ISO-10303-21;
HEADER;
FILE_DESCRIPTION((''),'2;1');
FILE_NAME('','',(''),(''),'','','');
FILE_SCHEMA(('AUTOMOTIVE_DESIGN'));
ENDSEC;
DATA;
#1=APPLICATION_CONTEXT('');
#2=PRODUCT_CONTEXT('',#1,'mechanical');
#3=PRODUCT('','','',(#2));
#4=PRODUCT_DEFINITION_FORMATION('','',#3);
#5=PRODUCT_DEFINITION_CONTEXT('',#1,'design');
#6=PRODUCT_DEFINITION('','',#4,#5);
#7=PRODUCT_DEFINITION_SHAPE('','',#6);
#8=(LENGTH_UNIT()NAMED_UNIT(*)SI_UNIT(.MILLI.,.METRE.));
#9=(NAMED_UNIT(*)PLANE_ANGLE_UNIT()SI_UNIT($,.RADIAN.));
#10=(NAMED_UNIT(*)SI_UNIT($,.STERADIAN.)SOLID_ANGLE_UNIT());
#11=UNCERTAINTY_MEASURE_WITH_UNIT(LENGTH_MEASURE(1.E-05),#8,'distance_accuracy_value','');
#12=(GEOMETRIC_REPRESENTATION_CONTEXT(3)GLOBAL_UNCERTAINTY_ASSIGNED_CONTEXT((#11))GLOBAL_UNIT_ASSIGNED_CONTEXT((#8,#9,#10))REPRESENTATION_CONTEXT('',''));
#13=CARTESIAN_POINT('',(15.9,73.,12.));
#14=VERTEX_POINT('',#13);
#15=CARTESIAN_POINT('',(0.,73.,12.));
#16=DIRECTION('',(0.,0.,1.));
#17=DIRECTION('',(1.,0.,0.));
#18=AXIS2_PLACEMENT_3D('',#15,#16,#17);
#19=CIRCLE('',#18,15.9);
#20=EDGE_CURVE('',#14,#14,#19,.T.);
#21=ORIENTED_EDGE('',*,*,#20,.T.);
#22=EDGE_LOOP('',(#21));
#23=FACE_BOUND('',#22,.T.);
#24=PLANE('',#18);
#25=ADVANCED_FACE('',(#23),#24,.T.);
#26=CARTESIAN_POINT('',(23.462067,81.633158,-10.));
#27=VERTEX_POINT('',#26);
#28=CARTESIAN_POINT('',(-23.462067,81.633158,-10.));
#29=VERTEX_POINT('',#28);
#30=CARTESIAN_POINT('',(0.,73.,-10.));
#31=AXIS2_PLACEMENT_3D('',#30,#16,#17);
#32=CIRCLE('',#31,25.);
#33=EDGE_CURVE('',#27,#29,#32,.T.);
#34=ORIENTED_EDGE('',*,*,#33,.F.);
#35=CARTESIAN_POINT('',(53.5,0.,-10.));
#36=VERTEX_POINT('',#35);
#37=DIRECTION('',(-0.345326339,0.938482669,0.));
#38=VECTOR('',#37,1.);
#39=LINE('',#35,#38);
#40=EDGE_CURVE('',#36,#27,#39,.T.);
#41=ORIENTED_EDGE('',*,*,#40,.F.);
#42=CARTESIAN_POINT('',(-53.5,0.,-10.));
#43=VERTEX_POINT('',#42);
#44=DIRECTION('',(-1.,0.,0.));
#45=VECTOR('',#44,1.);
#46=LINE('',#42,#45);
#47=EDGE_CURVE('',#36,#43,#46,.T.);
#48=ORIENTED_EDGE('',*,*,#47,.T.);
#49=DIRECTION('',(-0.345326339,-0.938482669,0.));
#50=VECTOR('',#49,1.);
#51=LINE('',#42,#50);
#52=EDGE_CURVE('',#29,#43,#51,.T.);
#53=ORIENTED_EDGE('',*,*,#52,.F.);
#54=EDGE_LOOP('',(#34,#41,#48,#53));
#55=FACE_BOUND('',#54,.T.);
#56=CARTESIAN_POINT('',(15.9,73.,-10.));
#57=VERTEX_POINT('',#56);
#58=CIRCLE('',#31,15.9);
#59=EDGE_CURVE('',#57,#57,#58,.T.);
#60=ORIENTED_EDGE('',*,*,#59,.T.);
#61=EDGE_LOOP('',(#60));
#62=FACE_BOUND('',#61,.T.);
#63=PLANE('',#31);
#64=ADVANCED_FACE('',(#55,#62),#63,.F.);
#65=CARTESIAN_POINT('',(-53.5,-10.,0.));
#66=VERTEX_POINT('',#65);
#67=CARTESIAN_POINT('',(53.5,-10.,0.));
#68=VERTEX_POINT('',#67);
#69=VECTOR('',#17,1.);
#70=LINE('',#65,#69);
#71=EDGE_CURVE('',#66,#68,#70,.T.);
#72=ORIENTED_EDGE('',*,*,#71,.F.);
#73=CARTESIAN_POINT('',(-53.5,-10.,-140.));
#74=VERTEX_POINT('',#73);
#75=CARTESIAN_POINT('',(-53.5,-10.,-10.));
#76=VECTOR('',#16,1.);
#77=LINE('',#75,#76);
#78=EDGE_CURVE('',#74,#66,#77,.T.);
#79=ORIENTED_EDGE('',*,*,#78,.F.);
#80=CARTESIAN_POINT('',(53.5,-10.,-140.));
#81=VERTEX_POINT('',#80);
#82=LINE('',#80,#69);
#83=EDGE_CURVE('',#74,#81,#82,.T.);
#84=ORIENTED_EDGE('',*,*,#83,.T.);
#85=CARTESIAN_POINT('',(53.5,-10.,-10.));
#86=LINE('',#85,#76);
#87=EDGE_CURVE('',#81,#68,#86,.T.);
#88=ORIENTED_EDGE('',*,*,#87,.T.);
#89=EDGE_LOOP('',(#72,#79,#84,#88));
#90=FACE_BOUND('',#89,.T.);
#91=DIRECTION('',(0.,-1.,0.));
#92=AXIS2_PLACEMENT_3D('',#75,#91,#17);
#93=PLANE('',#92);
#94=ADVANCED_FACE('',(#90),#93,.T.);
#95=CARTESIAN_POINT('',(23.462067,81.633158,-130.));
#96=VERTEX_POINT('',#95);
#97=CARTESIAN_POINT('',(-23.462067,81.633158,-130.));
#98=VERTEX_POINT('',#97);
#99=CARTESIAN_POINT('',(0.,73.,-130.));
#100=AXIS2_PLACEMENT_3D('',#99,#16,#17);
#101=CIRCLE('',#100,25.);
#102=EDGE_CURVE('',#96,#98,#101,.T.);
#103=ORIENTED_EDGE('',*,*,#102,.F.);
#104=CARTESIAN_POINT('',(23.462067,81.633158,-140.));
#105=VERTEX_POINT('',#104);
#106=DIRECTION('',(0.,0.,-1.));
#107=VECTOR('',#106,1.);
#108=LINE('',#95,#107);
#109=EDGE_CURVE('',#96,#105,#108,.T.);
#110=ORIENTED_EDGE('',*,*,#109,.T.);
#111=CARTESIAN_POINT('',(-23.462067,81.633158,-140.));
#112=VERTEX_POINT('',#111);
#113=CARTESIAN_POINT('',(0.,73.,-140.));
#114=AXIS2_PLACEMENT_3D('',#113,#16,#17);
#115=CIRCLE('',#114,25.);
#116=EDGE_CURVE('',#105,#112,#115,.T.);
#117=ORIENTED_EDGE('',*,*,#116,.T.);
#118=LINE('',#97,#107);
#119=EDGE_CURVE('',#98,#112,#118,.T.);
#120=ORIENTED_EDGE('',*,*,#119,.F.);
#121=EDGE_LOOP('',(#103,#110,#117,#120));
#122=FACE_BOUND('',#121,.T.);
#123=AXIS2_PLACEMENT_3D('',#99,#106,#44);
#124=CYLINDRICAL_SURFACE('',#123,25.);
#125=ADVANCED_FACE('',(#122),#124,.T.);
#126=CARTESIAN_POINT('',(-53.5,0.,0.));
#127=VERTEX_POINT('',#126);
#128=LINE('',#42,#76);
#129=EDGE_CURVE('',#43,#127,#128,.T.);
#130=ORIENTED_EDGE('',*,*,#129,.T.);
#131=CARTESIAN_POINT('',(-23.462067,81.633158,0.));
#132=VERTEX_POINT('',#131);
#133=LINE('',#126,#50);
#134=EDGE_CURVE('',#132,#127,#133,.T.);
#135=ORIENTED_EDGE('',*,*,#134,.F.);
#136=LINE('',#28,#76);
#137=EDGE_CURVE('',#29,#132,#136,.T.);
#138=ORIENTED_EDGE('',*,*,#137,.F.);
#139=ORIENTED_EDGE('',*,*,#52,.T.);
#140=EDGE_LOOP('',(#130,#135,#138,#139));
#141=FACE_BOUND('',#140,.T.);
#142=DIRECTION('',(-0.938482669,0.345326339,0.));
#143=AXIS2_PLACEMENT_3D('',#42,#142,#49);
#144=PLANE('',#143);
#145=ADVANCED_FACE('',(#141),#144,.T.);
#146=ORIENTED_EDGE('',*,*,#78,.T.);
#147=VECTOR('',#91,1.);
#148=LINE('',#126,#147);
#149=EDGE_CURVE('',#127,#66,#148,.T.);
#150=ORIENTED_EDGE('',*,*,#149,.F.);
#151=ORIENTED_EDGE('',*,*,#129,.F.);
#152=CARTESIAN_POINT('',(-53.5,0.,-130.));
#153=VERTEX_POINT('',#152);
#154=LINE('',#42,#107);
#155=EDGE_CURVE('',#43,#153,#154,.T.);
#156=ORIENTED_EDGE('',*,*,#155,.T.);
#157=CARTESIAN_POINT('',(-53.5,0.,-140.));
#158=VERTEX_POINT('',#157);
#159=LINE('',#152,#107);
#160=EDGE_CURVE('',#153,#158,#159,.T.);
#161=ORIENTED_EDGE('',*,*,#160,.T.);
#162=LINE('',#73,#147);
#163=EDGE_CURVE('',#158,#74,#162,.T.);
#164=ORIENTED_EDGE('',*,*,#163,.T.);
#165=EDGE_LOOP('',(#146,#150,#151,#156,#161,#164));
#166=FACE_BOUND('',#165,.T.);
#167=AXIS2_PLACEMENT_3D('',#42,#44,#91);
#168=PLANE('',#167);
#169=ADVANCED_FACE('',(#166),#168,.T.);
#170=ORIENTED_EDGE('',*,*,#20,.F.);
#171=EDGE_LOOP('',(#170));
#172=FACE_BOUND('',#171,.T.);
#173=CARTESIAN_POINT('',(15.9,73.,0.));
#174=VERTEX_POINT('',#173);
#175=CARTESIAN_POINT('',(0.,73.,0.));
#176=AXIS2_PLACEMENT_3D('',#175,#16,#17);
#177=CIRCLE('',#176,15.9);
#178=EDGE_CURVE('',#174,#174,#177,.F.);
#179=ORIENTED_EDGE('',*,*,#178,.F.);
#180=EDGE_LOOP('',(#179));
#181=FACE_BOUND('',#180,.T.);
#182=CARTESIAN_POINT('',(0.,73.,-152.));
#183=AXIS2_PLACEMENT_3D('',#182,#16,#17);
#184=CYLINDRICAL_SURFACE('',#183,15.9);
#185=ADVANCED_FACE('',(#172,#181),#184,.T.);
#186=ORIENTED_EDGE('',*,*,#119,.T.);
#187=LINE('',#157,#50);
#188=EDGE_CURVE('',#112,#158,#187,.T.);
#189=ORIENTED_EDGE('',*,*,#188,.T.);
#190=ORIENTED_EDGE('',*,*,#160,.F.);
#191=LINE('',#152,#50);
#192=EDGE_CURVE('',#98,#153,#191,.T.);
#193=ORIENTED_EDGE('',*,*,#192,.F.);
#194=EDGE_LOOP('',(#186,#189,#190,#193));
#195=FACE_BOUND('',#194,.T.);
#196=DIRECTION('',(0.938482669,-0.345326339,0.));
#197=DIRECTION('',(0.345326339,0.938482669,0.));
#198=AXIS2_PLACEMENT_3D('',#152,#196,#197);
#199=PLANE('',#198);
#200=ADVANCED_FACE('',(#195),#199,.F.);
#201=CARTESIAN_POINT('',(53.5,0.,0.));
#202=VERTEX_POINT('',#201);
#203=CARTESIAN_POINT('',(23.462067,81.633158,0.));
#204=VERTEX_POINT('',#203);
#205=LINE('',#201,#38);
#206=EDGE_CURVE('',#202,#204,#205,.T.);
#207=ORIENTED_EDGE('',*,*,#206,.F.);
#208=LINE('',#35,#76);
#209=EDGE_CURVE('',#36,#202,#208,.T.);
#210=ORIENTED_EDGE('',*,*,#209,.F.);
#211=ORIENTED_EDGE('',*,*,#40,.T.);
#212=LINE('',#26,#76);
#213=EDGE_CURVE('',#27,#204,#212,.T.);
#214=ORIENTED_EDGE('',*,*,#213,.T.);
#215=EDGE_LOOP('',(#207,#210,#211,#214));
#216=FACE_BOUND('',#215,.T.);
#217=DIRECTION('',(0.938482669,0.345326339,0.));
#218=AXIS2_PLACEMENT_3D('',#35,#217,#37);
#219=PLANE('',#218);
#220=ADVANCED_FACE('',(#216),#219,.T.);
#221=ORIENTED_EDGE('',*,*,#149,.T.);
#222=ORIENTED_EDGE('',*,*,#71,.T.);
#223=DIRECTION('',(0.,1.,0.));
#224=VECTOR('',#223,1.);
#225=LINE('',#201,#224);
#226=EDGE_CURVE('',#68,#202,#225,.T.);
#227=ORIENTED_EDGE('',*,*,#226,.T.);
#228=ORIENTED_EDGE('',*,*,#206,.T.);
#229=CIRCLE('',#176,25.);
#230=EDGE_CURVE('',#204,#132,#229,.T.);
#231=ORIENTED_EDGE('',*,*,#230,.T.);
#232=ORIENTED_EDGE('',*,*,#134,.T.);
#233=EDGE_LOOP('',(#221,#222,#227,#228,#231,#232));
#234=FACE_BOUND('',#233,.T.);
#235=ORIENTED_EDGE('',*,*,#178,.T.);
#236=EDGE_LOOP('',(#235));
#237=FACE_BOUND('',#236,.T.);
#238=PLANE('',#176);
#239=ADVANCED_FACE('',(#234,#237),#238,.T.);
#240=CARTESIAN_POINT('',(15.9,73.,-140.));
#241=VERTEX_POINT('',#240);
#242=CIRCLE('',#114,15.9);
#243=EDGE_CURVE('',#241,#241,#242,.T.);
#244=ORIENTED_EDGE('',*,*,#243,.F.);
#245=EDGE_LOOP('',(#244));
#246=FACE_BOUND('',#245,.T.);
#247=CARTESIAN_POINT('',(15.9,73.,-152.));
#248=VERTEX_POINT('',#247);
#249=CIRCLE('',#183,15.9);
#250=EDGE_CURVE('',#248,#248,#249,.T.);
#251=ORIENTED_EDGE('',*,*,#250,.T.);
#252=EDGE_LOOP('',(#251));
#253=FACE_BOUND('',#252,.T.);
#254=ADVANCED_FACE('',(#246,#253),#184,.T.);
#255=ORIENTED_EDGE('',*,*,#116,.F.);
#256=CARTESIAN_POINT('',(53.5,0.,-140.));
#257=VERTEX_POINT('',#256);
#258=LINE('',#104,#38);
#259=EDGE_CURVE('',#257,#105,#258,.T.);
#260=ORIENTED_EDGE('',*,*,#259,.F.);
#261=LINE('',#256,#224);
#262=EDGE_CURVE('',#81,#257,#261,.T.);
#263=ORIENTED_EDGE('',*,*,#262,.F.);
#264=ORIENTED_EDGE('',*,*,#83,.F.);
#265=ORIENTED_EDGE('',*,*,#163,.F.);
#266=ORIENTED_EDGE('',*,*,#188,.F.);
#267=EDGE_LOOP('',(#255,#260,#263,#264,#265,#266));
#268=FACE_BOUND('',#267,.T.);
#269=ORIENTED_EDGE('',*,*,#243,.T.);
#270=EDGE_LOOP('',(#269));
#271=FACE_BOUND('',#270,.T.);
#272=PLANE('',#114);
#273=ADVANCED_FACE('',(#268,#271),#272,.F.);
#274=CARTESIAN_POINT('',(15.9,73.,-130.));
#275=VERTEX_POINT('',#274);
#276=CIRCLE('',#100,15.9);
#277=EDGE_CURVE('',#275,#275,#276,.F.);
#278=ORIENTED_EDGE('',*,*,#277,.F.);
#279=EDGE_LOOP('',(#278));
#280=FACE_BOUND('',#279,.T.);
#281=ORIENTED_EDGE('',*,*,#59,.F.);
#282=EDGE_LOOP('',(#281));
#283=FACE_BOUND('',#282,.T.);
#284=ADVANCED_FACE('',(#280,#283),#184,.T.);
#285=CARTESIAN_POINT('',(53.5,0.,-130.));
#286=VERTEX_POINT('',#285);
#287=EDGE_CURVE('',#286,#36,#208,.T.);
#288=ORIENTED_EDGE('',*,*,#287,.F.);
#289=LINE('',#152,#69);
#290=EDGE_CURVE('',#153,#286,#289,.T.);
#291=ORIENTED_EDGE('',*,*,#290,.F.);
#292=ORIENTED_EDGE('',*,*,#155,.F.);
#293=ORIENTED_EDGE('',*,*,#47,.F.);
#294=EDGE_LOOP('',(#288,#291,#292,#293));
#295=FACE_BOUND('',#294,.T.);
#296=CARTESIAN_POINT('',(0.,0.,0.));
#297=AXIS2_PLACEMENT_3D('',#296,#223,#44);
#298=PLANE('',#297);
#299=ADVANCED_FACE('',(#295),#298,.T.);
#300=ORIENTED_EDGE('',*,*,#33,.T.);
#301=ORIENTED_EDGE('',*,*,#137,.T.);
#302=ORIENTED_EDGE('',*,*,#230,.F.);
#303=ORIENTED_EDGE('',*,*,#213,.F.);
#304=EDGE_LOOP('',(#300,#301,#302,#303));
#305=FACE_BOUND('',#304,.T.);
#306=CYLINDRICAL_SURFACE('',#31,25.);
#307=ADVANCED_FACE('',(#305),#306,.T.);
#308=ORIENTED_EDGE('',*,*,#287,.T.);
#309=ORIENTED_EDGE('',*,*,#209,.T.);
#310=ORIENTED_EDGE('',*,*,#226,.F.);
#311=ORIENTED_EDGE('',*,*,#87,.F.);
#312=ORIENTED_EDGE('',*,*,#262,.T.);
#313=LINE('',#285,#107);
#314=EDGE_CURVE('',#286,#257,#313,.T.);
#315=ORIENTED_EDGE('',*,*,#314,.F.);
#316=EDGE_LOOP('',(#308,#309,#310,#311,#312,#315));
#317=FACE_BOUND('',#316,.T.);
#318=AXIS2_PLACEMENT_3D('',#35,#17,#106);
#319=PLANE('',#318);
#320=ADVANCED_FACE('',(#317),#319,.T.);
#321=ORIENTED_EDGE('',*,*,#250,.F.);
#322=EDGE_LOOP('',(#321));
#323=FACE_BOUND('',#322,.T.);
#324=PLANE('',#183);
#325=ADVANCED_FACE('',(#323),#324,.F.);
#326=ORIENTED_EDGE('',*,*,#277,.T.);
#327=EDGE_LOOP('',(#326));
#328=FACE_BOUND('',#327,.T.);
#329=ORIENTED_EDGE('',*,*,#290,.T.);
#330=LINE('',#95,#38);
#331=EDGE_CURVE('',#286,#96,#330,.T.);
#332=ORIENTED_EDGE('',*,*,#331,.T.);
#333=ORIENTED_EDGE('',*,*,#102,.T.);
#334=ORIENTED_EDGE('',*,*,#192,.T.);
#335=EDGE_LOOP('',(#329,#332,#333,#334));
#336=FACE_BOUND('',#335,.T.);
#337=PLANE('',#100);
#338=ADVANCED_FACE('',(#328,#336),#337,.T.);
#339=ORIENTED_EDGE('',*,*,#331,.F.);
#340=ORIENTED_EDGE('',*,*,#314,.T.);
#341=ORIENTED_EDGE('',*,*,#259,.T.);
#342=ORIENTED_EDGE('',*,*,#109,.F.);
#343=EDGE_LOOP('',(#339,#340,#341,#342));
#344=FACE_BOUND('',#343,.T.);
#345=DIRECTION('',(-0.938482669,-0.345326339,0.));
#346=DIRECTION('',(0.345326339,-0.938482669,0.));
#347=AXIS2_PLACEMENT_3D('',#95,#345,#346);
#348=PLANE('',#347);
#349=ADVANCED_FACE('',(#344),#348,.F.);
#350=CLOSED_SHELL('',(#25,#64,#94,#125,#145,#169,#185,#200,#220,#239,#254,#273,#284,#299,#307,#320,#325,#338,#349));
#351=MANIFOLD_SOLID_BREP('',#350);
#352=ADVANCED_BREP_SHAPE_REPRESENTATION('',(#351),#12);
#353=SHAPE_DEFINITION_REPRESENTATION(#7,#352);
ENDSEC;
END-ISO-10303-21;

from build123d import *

# Parameters (mm, degrees)
EXTRUDE_1_DEPTH      = 12
EXTRUDE_1_DEPTH_BACK = 152
SKETCH_1_R           = 15.9
SKETCH_1_3_R         = 15.9
EXTRUDE_2_DEPTH      = 10
EXTRUDE_START        = 10
SKETCH_2_R           = 15.9
EXTRUDE_3_DEPTH      = 10
SKETCH_3_W           = 107
SKETCH_3_H           = 120
EXTRUDE_4_DEPTH      = 10


with BuildPart() as part:
    # 草图1 → 凸台-拉伸1 (new, two sides: drawn at the far end of the back side and taken through both)
    with BuildSketch(Plane.XY.offset(-EXTRUDE_1_DEPTH_BACK)):
        with Locations((0, 73)):
            Circle(SKETCH_1_R)
    extrude(amount=EXTRUDE_1_DEPTH + EXTRUDE_1_DEPTH_BACK)

    # 草图1<3> → 凸台-拉伸2 (add)
    with BuildSketch(Plane.XY):
        with BuildLine():
            Line((-53.5, 0), (-53.5, -10))
            Line((-53.5, -10), (53.5, -10))
            Line((53.5, -10), (53.5, 0))
            Line((53.5, 0), (23.462066716, 81.633158484))
            ThreePointArc((23.462066716, 81.633158484), (0, 98), (-23.462066716, 81.633158484))
            Line((-23.462066716, 81.633158484), (-53.5, 0))
        make_face()
        with Locations((0, 73)):
            Circle(SKETCH_1_3_R, mode=Mode.SUBTRACT)
    extrude(amount=-EXTRUDE_2_DEPTH)

    # 草图2 → 凸台-拉伸3 (add)
    with BuildSketch(Plane.XY.offset(-140).offset(EXTRUDE_START)):
        with BuildLine():
            Line((-53.5, 0), (-23.462066716, 81.633158484))
            ThreePointArc((-23.462066716, 81.633158484), (0, 98), (23.462066716, 81.633158484))
            Line((23.462066716, 81.633158484), (53.5, 0))
            Line((53.5, 0), (53.5, -10))
            Line((53.5, -10), (-53.5, -10))
            Line((-53.5, -10), (-53.5, 0))
        make_face()
        with Locations((0, 73)):
            Circle(SKETCH_2_R, mode=Mode.SUBTRACT)
    extrude(amount=-EXTRUDE_3_DEPTH)

    # 草图3 → 凸台-拉伸4 (add)
    with BuildSketch(Plane.XZ.offset(10)):
        with Locations((0, -70)):
            Rectangle(SKETCH_3_W, SKETCH_3_H)
    extrude(amount=-EXTRUDE_4_DEPTH)


solid = part.part
